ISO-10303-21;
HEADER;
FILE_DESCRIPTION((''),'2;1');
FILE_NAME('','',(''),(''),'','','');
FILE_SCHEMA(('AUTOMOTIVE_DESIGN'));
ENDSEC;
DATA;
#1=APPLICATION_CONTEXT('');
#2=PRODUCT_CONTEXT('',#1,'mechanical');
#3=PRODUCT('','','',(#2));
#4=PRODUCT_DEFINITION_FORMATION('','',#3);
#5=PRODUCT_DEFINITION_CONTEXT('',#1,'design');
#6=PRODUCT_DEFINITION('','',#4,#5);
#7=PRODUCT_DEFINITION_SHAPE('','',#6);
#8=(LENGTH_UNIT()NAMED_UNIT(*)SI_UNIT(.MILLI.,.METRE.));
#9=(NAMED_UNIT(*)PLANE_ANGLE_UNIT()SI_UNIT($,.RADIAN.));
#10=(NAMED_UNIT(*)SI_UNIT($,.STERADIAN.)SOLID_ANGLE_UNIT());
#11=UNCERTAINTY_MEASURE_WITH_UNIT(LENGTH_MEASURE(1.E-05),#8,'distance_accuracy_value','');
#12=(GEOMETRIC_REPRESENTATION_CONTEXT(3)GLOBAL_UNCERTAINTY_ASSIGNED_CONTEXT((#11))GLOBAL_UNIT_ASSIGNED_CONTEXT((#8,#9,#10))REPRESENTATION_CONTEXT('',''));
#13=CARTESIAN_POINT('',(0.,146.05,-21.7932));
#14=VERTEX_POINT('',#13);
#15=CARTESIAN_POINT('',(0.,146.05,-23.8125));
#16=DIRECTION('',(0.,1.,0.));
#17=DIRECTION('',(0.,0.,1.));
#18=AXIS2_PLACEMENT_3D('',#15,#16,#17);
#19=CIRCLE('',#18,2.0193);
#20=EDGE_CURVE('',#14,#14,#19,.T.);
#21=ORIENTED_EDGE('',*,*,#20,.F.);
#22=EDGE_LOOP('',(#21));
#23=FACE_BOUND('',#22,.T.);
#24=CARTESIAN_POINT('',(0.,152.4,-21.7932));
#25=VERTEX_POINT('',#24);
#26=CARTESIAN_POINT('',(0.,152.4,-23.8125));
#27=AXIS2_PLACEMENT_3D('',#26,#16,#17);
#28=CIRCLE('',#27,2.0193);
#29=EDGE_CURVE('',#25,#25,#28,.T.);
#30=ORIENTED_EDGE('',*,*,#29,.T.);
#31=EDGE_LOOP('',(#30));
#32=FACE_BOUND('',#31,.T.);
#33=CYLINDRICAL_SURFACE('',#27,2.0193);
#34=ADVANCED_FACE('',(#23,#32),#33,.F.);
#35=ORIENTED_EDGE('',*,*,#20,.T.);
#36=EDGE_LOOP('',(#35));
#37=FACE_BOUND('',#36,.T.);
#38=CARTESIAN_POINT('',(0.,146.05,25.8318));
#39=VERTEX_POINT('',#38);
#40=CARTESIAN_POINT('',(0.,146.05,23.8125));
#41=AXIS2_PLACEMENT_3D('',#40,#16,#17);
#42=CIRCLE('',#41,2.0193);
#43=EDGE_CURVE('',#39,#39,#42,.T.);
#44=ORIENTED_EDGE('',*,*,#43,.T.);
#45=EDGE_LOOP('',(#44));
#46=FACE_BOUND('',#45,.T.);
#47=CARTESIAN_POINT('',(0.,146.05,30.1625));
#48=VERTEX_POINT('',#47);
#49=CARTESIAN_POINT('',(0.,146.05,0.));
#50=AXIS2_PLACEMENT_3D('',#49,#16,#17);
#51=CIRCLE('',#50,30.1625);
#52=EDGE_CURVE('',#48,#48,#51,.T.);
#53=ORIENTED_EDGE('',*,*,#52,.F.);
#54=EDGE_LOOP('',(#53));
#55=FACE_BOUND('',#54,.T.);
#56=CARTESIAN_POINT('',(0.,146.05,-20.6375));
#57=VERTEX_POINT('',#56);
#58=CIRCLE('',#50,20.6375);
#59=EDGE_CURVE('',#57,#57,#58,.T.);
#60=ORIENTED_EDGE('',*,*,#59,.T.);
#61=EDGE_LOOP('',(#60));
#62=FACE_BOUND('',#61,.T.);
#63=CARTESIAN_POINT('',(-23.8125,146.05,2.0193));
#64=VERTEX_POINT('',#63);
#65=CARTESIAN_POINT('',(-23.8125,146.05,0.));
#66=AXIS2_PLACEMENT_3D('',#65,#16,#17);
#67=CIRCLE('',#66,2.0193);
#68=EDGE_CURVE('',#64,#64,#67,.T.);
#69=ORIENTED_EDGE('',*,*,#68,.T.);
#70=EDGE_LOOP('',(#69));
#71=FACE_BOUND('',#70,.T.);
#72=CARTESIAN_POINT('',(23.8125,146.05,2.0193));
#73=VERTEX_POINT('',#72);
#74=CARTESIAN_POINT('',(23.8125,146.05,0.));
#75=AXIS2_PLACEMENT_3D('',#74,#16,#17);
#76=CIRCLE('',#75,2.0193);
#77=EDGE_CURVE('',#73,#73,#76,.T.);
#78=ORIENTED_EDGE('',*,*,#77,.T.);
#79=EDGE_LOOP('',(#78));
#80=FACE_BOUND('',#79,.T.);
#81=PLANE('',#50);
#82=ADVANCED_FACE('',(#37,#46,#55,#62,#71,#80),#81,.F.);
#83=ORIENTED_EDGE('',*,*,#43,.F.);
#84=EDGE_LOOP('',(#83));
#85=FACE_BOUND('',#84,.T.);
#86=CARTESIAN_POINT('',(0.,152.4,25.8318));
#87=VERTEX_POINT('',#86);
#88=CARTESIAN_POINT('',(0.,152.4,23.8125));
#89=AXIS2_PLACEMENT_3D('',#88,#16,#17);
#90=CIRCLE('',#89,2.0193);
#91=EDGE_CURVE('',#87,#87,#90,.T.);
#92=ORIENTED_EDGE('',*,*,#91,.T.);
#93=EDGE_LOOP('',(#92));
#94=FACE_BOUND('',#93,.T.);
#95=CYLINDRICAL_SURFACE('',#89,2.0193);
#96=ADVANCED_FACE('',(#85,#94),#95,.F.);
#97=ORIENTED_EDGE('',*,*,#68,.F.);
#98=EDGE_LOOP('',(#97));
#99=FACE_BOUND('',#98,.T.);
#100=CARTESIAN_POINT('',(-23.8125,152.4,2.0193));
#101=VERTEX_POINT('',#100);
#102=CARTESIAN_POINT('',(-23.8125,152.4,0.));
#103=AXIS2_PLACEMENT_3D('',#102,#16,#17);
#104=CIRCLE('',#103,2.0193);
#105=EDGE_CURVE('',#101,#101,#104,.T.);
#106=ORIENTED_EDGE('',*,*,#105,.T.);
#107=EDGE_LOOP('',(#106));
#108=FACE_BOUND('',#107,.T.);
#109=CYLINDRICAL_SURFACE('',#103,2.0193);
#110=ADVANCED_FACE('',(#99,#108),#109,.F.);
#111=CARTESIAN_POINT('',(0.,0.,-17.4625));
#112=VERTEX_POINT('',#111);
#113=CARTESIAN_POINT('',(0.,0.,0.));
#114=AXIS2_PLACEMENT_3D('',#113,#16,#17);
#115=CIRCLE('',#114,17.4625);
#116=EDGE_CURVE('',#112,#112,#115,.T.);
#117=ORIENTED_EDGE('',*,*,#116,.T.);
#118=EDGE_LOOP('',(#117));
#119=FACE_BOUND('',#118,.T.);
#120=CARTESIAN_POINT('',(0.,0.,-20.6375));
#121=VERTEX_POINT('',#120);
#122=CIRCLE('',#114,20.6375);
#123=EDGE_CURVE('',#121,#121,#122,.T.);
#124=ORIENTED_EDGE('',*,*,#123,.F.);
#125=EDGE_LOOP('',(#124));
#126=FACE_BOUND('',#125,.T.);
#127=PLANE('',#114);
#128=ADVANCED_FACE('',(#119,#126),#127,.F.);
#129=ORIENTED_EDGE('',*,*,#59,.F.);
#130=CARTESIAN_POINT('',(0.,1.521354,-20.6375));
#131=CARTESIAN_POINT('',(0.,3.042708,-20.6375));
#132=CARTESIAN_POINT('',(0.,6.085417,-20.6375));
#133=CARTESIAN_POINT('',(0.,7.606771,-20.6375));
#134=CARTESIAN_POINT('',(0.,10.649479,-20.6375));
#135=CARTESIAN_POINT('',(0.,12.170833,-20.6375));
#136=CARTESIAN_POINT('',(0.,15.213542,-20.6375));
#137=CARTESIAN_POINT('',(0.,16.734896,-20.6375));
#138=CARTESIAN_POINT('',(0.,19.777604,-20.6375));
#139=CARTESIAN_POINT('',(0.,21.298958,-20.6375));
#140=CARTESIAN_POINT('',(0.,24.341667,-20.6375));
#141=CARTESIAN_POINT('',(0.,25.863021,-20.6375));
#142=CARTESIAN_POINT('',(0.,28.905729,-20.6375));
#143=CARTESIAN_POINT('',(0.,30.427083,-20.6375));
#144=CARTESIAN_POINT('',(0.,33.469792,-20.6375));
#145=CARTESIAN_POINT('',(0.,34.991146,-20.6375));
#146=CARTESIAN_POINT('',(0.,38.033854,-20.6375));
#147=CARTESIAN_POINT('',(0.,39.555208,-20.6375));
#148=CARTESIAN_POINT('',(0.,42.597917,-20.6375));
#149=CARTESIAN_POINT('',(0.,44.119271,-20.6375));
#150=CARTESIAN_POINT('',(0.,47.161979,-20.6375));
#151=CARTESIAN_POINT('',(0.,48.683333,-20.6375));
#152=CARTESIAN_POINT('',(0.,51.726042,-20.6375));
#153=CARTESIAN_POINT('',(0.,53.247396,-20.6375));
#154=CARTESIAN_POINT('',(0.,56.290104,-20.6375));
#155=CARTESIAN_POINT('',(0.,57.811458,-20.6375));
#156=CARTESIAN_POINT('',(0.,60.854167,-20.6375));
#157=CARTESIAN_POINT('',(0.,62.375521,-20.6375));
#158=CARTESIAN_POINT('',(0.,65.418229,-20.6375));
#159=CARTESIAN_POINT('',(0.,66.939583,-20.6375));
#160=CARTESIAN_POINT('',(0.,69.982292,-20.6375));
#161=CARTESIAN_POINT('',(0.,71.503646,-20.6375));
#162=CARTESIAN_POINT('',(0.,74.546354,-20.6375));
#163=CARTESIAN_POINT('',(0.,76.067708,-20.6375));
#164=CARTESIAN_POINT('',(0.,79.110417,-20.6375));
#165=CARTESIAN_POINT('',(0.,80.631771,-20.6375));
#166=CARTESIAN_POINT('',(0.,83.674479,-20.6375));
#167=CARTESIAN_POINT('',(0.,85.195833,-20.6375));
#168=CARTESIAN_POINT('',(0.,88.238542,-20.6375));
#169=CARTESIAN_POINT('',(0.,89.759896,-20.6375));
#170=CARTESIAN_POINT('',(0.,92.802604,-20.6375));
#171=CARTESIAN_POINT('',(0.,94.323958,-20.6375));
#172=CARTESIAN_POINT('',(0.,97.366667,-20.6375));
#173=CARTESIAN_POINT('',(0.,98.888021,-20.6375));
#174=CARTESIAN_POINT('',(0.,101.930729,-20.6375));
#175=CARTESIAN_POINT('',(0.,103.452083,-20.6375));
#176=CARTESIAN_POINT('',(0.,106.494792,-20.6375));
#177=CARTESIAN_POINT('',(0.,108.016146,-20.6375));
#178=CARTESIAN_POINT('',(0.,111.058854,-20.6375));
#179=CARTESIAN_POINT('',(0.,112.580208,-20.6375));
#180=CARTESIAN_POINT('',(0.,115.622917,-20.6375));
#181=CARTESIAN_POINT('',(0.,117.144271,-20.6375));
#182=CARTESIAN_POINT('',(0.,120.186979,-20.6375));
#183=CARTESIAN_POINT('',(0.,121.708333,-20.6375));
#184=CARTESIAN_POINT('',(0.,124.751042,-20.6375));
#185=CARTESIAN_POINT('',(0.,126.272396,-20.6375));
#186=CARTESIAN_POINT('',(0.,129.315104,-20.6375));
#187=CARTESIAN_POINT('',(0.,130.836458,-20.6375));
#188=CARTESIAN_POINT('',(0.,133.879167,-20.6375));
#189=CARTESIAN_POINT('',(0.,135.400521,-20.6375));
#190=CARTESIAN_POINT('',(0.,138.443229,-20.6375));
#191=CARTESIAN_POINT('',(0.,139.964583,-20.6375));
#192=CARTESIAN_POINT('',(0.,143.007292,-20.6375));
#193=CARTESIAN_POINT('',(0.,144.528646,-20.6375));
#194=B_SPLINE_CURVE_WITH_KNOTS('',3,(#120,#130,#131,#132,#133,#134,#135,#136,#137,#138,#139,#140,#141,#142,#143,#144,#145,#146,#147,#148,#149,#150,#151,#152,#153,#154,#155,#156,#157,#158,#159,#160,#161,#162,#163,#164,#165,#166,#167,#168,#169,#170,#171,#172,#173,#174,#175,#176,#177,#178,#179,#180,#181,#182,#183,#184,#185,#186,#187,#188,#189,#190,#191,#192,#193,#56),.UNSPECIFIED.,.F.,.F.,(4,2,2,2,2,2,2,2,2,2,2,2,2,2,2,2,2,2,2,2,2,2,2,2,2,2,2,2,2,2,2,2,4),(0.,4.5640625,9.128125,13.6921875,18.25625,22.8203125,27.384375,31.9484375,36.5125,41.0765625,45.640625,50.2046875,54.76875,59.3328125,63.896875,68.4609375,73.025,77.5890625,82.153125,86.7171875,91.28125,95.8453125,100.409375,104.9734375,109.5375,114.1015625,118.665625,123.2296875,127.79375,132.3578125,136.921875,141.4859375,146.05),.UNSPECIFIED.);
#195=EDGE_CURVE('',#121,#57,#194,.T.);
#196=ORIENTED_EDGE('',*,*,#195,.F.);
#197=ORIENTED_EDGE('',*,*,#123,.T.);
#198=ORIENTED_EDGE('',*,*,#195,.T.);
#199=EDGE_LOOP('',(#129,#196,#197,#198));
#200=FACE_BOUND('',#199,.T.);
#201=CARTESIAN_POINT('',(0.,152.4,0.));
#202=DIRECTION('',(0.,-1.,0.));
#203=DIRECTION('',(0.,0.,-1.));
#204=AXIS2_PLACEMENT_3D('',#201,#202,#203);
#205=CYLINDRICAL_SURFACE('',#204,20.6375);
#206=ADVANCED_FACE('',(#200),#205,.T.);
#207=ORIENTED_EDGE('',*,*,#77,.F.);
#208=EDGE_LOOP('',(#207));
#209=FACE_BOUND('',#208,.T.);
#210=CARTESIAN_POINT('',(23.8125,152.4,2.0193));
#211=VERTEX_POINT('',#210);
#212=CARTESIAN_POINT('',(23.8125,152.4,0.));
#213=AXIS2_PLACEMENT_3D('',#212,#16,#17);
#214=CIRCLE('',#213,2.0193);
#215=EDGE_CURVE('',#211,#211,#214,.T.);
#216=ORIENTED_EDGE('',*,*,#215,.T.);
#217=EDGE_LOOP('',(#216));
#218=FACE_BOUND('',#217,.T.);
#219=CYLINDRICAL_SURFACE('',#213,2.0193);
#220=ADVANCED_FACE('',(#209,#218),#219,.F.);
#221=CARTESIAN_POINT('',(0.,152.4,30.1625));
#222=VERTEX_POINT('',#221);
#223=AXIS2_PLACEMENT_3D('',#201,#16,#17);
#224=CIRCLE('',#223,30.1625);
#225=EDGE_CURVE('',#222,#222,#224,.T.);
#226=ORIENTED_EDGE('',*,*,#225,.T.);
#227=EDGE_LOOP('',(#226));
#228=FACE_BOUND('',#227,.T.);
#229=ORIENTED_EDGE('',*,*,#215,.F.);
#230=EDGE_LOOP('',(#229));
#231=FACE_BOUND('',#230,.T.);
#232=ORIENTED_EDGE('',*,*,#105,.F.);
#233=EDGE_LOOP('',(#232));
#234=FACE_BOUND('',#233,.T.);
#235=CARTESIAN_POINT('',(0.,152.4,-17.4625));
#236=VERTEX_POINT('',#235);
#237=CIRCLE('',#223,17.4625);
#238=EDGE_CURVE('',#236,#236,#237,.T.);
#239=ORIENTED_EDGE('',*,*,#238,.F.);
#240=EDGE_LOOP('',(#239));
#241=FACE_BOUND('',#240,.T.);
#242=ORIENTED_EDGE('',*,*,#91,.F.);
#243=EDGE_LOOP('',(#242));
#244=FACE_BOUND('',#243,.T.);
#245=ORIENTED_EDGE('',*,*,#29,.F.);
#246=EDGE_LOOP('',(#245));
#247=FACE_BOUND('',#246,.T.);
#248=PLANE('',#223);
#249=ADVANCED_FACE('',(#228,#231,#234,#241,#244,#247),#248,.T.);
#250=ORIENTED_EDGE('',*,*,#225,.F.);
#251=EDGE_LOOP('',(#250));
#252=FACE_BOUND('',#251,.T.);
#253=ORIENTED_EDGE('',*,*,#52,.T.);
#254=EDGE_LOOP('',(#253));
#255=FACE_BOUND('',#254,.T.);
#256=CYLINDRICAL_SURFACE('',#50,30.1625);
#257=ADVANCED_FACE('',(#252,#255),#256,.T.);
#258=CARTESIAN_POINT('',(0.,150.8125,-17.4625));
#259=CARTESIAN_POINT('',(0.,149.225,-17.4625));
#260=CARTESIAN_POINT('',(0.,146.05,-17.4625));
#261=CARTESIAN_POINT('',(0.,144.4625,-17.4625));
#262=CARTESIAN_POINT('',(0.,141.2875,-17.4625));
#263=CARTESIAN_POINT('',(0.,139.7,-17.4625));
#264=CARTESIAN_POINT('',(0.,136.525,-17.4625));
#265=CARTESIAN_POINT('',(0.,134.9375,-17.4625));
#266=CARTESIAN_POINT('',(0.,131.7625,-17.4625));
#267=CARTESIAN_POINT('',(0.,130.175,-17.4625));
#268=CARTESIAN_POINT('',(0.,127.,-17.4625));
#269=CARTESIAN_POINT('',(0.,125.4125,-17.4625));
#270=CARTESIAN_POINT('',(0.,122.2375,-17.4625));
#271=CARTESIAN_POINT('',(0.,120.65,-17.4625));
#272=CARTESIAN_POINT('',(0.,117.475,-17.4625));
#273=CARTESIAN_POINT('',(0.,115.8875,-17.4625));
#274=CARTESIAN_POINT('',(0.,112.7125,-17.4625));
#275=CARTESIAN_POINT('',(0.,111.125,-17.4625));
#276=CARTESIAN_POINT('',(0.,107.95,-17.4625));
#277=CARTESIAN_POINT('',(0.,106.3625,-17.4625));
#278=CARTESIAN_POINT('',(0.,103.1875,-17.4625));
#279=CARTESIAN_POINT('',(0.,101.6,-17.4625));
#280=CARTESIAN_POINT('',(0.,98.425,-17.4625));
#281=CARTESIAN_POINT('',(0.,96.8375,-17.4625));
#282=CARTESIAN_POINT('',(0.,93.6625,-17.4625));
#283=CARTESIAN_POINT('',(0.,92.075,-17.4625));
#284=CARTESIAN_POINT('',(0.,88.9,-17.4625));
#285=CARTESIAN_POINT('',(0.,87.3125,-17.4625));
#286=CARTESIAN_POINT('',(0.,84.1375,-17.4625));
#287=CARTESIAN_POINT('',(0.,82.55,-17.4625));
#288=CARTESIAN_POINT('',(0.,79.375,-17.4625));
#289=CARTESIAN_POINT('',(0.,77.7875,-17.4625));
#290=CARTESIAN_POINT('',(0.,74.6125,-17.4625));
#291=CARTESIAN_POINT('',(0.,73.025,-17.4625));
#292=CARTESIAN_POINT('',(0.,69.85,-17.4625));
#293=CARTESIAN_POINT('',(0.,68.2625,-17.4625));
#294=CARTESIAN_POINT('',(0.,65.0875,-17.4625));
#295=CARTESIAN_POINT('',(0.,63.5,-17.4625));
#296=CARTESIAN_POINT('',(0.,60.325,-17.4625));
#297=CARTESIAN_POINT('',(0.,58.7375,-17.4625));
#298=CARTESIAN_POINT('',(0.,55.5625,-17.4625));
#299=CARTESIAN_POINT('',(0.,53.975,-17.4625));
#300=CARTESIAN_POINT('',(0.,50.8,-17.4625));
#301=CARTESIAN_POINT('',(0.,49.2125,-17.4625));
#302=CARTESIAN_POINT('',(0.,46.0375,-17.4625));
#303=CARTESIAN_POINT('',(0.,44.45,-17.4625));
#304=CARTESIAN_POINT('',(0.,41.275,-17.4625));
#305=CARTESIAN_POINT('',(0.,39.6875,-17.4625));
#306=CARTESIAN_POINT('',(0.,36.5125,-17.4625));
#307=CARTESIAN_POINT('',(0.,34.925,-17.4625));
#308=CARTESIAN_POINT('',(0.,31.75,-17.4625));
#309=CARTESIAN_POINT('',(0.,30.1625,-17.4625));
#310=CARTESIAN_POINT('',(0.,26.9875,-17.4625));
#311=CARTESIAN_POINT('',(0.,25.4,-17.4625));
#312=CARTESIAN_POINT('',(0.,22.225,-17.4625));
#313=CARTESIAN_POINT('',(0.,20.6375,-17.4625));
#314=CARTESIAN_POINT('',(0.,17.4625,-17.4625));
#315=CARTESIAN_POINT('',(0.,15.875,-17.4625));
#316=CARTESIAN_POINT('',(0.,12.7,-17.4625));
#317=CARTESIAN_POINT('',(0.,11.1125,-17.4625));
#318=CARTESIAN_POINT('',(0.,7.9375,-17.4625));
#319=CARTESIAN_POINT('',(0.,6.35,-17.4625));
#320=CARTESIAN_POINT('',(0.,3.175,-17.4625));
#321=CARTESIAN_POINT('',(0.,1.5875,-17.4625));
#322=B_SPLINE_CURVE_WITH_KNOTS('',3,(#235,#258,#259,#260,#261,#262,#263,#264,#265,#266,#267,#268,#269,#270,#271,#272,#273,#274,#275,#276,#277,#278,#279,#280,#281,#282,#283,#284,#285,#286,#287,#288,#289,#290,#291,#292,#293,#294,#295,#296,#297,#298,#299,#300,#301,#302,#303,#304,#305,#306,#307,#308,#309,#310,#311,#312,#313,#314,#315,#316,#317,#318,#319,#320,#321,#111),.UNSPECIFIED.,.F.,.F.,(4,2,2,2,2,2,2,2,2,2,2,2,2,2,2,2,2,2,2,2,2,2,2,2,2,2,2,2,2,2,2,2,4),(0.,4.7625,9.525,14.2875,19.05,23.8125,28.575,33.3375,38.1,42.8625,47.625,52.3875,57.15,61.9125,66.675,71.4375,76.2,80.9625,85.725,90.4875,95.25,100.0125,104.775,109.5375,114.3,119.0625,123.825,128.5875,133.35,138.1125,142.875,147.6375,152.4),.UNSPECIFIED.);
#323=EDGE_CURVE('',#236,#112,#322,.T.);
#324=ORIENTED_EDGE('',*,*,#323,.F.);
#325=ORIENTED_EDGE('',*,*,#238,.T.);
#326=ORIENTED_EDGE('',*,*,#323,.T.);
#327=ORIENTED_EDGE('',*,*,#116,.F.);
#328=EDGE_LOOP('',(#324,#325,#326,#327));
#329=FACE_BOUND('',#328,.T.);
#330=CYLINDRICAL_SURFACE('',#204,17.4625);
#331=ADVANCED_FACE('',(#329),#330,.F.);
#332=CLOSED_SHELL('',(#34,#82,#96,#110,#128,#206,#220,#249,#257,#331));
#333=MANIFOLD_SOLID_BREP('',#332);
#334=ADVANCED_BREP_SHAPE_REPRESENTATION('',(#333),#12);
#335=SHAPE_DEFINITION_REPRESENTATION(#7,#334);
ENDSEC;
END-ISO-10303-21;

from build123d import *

# Parameters (mm, degrees)
SKETCH1_R                  = 20.6375
SKETCH1_R_2                = 17.4625
BOSS_EXTRUDE1_DEPTH        = 152.4
BOSS_EXTRUDE2_START        = -6.35
SKETCH2_R                  = 30.1625
SKETCH2_R_2                = 17.4625
BOSS_EXTRUDE2_DEPTH        = 6.35
F_10_32_TAPPED_HOLE1_D     = 4.0386
F_10_32_TAPPED_HOLE1_DEPTH = 6.35


with BuildPart() as part:
    # Sketch1 → Boss-Extrude1 (new body)
    with BuildSketch(Plane(origin=(0, 0, 0), x_dir=(1, 0, 0), z_dir=(0, 1, 0))):
        with Locations(Location((0, 0, 0), (0, 0, 90))):
            Circle(SKETCH1_R)
        with Locations(Location((0, 0, 0), (0, 0, 90))):
            Circle(SKETCH1_R_2, mode=Mode.SUBTRACT)
    extrude(amount=BOSS_EXTRUDE1_DEPTH)

    # Sketch2 → Boss-Extrude2 (add)
    with BuildSketch(Plane(origin=(0, 152.4, 0), x_dir=(1, 0, 0), z_dir=(0, 1, 0)).offset(BOSS_EXTRUDE2_START)):
        with Locations(Location((0, 0, 0), (0, 0, 270))):
            Circle(SKETCH2_R)
        with Locations(Location((0, 0, 0), (0, 0, 90))):
            Circle(SKETCH2_R_2, mode=Mode.SUBTRACT)
    extrude(amount=BOSS_EXTRUDE2_DEPTH)

    # #10-32 Tapped Hole1
    with Locations(Plane(origin=(0, 152.4, 0), x_dir=(1, 0, 0), z_dir=(0, 1, 0))):
        with Locations((-23.8125, 0), (0, 23.8125), (23.8125, 0), (0, -23.8125), (0, 0)):
            Hole(F_10_32_TAPPED_HOLE1_D / 2, depth=F_10_32_TAPPED_HOLE1_DEPTH)


solid = part.part
